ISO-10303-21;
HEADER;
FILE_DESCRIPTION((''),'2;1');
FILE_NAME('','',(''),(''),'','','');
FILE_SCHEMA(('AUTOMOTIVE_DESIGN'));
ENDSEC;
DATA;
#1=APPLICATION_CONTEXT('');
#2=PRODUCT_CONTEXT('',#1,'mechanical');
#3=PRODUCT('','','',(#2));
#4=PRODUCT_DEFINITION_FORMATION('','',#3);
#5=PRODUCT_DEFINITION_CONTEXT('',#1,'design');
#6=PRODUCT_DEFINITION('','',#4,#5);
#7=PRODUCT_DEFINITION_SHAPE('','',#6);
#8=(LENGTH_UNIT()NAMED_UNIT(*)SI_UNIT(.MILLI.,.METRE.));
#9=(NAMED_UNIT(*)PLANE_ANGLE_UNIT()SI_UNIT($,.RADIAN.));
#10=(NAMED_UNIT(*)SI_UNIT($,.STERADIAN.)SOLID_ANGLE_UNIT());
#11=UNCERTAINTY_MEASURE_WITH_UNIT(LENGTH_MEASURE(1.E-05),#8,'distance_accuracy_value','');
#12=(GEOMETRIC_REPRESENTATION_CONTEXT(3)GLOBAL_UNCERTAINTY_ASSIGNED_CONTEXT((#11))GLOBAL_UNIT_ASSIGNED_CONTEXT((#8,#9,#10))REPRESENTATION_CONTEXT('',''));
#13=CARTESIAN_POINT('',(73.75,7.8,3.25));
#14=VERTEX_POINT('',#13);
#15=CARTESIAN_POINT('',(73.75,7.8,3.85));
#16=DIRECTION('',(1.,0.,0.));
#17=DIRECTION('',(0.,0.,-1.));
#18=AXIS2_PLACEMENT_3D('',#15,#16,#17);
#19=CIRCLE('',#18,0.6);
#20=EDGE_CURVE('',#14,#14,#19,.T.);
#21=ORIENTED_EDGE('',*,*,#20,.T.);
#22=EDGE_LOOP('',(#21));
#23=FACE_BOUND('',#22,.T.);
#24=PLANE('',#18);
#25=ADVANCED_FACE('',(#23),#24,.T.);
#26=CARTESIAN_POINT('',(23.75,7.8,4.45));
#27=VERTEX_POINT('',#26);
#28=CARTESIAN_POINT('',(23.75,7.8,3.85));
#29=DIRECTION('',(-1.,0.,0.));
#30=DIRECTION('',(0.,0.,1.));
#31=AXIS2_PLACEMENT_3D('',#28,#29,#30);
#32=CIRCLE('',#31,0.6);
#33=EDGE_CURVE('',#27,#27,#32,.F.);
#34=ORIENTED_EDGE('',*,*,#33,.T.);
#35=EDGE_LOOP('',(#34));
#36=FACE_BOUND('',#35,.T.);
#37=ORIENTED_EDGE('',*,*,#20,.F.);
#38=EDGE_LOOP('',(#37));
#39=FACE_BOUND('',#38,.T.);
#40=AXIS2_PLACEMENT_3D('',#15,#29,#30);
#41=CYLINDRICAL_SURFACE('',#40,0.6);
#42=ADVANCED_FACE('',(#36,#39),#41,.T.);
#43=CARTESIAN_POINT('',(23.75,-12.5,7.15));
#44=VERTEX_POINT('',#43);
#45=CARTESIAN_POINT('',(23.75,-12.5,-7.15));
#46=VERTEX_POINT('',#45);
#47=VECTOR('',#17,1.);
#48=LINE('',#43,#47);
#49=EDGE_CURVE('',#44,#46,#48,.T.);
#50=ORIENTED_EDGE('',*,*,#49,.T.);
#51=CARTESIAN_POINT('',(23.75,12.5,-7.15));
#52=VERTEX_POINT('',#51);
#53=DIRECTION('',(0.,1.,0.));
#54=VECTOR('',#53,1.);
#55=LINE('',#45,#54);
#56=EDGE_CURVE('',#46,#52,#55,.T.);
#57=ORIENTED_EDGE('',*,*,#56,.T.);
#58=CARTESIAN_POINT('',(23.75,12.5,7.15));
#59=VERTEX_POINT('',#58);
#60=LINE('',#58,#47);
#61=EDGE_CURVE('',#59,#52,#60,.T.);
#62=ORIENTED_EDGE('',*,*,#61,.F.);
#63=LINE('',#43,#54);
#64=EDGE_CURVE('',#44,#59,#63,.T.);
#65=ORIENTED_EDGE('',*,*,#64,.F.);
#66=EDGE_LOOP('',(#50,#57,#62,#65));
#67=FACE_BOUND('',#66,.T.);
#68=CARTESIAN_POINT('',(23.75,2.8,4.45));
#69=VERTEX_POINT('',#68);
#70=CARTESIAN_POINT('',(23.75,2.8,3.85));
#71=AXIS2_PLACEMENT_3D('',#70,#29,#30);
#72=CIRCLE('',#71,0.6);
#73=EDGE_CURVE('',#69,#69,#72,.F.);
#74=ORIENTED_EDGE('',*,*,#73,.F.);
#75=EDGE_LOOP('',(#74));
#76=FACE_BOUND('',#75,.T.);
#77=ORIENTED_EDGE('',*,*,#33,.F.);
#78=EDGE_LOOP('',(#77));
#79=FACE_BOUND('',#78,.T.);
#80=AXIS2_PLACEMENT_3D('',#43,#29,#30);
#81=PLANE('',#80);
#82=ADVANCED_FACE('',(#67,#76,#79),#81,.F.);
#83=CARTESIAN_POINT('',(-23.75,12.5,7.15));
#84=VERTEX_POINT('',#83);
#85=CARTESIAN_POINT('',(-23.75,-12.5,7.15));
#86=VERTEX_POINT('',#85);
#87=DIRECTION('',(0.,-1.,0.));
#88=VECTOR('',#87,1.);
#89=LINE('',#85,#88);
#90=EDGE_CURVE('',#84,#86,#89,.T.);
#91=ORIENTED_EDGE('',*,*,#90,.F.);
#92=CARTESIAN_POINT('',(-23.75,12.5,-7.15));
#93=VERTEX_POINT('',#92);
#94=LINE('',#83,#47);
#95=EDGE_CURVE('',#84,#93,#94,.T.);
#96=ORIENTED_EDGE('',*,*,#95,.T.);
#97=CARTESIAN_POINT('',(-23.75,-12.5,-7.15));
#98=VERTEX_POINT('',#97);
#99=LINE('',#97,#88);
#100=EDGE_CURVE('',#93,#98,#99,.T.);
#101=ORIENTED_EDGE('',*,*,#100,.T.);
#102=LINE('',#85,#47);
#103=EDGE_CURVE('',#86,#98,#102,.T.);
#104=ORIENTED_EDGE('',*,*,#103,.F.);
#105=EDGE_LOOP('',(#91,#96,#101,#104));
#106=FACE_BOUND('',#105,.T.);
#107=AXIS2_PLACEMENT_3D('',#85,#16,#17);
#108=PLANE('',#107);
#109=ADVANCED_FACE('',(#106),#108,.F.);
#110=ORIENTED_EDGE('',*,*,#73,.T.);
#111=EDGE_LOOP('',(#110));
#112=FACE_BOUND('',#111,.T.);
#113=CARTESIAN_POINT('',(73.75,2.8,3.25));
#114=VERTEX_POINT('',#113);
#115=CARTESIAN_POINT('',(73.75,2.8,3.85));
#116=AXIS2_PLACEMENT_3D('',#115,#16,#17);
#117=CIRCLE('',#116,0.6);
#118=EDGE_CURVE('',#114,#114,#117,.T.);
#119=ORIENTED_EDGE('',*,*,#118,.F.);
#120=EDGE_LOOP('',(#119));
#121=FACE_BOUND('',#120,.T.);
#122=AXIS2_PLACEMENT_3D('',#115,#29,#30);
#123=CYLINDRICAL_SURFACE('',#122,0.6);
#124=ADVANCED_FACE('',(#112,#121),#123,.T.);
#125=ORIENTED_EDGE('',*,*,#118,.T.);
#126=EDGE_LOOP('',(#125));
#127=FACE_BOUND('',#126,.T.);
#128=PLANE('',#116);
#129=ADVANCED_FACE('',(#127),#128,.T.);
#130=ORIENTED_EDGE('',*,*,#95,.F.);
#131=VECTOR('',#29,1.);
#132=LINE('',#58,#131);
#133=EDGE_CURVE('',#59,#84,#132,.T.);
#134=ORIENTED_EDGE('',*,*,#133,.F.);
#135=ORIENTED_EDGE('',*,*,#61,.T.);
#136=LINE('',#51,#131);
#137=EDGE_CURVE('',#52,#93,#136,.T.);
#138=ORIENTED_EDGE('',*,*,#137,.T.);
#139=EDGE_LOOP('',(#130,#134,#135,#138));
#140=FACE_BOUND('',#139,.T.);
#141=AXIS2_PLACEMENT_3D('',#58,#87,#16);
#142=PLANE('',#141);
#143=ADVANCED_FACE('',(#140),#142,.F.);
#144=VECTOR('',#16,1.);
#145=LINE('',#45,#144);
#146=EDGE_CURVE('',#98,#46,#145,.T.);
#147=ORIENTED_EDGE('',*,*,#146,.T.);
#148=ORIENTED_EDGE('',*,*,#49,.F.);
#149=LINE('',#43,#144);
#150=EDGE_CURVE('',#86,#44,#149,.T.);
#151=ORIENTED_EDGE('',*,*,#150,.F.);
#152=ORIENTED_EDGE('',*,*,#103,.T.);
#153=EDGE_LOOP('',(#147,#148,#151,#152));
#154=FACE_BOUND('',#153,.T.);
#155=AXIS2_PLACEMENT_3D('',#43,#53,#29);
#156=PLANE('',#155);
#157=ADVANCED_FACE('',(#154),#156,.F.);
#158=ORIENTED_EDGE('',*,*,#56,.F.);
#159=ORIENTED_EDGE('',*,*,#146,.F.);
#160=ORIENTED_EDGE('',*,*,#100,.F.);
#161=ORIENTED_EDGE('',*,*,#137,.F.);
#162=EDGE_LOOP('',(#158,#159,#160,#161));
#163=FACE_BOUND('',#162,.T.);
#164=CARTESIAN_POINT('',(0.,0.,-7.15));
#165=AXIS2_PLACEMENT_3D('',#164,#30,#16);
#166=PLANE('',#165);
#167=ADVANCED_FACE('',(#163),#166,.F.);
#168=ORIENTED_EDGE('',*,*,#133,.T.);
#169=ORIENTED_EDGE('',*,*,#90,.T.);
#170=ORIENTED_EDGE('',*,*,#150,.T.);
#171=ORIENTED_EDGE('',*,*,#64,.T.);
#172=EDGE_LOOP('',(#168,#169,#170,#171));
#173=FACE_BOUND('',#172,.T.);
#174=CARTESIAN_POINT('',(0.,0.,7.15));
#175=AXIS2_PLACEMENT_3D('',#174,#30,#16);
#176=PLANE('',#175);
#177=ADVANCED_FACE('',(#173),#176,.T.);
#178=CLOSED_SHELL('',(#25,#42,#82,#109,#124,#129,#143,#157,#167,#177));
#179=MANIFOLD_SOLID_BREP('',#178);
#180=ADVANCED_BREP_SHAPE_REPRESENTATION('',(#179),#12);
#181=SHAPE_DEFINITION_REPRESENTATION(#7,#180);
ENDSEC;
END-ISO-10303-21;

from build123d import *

# Parameters (mm, degrees)
SKETCH_1_W      = 47.5
SKETCH_1_H      = 25
EXTRUDE_1_DEPTH = 7.15
SKETCH_2_R      = 0.6
EXTRUDE_2_DEPTH = 50


with BuildPart() as part:
    # 草圖1 → 填料-伸長1 (new body, symmetric)
    with BuildSketch(Plane.XY):
        Rectangle(SKETCH_1_W, SKETCH_1_H)
    extrude(amount=EXTRUDE_1_DEPTH, both=True)

    # 草圖2 → 填料-伸長2 (add)
    with BuildSketch(Plane(origin=(23.75, 0, 0), x_dir=(0, 0, -1), z_dir=(1, 0, 0))):
        with Locations((-3.85, 2.8)):
            Circle(SKETCH_2_R)
        with Locations((-3.85, 7.8)):
            Circle(SKETCH_2_R)
    extrude(amount=EXTRUDE_2_DEPTH)


solid = part.part
